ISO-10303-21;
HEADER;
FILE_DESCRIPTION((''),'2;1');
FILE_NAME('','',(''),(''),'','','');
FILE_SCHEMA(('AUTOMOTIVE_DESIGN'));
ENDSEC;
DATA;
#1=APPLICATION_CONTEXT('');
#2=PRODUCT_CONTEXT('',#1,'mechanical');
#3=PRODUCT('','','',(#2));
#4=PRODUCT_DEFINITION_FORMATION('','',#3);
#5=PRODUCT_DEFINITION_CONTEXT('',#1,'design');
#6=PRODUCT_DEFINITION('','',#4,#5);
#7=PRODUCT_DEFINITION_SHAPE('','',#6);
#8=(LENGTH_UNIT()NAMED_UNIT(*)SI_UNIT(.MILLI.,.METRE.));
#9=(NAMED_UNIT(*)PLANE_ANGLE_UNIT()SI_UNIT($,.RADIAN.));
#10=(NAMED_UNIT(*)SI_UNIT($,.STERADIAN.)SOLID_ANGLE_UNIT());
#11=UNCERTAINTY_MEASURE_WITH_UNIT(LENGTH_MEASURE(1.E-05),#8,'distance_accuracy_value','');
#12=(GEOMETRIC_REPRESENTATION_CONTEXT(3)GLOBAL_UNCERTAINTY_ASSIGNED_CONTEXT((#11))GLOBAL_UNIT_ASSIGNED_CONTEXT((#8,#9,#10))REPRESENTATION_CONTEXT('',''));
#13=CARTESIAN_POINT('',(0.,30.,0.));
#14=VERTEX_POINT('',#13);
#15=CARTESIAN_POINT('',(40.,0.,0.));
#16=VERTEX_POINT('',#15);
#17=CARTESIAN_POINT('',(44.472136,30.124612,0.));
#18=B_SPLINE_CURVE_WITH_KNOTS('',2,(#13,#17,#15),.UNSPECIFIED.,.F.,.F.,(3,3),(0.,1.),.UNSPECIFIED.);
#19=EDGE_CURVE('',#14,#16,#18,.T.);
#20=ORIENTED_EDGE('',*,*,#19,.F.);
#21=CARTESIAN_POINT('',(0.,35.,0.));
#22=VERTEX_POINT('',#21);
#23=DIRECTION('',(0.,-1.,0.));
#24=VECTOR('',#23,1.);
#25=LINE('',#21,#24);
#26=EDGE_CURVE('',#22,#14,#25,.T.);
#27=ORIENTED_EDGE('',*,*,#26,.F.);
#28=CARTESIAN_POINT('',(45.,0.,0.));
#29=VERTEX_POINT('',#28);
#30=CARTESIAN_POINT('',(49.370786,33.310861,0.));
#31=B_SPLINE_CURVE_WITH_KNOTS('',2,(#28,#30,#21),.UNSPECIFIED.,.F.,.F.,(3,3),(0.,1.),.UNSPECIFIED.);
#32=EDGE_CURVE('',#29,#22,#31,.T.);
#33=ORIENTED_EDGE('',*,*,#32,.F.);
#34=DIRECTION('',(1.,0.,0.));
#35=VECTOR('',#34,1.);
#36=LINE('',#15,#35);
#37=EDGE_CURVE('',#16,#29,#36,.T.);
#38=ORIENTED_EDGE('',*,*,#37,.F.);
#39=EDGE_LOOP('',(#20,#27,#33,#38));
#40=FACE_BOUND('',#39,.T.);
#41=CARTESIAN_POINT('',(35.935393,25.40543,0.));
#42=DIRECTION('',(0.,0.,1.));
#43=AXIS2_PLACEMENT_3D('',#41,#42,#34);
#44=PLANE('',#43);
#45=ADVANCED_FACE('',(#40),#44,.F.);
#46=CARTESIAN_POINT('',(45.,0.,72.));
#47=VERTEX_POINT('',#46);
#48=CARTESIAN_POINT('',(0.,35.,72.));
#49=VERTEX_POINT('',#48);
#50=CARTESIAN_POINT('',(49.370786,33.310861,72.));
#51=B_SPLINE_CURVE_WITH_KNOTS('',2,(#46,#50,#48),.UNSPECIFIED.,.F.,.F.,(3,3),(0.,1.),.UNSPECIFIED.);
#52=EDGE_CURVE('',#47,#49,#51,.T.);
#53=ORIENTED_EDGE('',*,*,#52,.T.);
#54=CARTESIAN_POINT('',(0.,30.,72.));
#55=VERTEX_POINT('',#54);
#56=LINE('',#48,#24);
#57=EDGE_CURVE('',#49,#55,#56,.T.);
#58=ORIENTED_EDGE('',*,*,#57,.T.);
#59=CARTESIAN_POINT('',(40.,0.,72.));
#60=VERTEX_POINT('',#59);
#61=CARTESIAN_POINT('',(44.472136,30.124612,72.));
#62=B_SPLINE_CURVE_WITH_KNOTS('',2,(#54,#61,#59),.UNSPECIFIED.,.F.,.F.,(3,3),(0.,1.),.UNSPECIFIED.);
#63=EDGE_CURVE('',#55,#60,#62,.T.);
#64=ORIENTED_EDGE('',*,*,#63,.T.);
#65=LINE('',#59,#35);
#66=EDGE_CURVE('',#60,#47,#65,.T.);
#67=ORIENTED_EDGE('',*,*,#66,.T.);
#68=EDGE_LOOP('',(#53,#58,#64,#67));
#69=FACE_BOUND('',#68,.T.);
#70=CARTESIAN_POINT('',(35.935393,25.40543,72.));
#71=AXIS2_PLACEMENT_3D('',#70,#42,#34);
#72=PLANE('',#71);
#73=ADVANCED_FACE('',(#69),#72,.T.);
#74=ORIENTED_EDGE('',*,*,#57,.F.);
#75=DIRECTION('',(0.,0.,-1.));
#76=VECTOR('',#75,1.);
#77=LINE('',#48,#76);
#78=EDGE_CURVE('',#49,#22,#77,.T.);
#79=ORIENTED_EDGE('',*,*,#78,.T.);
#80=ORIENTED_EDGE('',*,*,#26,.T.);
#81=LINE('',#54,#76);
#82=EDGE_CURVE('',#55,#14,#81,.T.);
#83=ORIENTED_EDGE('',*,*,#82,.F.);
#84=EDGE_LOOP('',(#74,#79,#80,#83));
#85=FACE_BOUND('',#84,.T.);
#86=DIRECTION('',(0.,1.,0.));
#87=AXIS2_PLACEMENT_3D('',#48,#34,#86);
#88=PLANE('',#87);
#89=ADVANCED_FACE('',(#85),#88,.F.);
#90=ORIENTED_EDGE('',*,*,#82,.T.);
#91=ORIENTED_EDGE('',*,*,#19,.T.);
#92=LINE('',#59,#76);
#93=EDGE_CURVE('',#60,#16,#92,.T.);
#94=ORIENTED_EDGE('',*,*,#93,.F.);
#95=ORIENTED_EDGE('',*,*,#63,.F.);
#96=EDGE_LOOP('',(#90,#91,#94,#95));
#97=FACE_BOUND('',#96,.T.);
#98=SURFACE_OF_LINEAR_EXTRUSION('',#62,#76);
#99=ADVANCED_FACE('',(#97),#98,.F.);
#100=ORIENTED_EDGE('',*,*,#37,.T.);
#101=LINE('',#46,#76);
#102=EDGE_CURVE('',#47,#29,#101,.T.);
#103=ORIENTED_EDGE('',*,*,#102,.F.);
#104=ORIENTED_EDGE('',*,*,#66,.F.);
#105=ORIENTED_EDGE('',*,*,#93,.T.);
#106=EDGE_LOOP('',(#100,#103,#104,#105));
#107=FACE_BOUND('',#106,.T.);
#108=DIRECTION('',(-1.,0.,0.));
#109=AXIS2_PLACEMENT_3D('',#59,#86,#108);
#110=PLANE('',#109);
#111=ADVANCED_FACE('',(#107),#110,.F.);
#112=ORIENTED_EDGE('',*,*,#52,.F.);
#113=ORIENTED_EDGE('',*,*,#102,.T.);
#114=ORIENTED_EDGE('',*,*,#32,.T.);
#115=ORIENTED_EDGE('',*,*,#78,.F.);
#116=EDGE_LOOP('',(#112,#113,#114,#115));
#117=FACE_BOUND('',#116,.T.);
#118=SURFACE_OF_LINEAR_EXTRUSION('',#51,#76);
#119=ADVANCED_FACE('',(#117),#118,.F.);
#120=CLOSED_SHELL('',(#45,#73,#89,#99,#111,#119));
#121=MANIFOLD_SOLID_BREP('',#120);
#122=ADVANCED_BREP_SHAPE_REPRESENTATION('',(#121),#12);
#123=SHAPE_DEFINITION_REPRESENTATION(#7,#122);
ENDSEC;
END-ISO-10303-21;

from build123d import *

# Parameters (mm, degrees)
BOSS_EXTRUDE1_DEPTH = 72


with BuildPart() as part:
    # Sketch1 → Boss-Extrude1 (new body)
    with BuildSketch(Plane.XY):
        with BuildLine():
            Line((0, 35), (0, 30))
            add(Edge.make_bspline(
                [(0, 30), (44.472135955, 30.124611797), (40, 0)],
                knots=[0, 0, 0, 1, 1, 1], degree=2))
            Line((40, 0), (45, 0))
            add(Edge.make_bspline(
                [(0, 35), (49.370786381, 33.310860697), (45, 0)],
                knots=[0, 0, 0, 1, 1, 1], degree=2))
        make_face()
    extrude(amount=BOSS_EXTRUDE1_DEPTH)


solid = part.part
